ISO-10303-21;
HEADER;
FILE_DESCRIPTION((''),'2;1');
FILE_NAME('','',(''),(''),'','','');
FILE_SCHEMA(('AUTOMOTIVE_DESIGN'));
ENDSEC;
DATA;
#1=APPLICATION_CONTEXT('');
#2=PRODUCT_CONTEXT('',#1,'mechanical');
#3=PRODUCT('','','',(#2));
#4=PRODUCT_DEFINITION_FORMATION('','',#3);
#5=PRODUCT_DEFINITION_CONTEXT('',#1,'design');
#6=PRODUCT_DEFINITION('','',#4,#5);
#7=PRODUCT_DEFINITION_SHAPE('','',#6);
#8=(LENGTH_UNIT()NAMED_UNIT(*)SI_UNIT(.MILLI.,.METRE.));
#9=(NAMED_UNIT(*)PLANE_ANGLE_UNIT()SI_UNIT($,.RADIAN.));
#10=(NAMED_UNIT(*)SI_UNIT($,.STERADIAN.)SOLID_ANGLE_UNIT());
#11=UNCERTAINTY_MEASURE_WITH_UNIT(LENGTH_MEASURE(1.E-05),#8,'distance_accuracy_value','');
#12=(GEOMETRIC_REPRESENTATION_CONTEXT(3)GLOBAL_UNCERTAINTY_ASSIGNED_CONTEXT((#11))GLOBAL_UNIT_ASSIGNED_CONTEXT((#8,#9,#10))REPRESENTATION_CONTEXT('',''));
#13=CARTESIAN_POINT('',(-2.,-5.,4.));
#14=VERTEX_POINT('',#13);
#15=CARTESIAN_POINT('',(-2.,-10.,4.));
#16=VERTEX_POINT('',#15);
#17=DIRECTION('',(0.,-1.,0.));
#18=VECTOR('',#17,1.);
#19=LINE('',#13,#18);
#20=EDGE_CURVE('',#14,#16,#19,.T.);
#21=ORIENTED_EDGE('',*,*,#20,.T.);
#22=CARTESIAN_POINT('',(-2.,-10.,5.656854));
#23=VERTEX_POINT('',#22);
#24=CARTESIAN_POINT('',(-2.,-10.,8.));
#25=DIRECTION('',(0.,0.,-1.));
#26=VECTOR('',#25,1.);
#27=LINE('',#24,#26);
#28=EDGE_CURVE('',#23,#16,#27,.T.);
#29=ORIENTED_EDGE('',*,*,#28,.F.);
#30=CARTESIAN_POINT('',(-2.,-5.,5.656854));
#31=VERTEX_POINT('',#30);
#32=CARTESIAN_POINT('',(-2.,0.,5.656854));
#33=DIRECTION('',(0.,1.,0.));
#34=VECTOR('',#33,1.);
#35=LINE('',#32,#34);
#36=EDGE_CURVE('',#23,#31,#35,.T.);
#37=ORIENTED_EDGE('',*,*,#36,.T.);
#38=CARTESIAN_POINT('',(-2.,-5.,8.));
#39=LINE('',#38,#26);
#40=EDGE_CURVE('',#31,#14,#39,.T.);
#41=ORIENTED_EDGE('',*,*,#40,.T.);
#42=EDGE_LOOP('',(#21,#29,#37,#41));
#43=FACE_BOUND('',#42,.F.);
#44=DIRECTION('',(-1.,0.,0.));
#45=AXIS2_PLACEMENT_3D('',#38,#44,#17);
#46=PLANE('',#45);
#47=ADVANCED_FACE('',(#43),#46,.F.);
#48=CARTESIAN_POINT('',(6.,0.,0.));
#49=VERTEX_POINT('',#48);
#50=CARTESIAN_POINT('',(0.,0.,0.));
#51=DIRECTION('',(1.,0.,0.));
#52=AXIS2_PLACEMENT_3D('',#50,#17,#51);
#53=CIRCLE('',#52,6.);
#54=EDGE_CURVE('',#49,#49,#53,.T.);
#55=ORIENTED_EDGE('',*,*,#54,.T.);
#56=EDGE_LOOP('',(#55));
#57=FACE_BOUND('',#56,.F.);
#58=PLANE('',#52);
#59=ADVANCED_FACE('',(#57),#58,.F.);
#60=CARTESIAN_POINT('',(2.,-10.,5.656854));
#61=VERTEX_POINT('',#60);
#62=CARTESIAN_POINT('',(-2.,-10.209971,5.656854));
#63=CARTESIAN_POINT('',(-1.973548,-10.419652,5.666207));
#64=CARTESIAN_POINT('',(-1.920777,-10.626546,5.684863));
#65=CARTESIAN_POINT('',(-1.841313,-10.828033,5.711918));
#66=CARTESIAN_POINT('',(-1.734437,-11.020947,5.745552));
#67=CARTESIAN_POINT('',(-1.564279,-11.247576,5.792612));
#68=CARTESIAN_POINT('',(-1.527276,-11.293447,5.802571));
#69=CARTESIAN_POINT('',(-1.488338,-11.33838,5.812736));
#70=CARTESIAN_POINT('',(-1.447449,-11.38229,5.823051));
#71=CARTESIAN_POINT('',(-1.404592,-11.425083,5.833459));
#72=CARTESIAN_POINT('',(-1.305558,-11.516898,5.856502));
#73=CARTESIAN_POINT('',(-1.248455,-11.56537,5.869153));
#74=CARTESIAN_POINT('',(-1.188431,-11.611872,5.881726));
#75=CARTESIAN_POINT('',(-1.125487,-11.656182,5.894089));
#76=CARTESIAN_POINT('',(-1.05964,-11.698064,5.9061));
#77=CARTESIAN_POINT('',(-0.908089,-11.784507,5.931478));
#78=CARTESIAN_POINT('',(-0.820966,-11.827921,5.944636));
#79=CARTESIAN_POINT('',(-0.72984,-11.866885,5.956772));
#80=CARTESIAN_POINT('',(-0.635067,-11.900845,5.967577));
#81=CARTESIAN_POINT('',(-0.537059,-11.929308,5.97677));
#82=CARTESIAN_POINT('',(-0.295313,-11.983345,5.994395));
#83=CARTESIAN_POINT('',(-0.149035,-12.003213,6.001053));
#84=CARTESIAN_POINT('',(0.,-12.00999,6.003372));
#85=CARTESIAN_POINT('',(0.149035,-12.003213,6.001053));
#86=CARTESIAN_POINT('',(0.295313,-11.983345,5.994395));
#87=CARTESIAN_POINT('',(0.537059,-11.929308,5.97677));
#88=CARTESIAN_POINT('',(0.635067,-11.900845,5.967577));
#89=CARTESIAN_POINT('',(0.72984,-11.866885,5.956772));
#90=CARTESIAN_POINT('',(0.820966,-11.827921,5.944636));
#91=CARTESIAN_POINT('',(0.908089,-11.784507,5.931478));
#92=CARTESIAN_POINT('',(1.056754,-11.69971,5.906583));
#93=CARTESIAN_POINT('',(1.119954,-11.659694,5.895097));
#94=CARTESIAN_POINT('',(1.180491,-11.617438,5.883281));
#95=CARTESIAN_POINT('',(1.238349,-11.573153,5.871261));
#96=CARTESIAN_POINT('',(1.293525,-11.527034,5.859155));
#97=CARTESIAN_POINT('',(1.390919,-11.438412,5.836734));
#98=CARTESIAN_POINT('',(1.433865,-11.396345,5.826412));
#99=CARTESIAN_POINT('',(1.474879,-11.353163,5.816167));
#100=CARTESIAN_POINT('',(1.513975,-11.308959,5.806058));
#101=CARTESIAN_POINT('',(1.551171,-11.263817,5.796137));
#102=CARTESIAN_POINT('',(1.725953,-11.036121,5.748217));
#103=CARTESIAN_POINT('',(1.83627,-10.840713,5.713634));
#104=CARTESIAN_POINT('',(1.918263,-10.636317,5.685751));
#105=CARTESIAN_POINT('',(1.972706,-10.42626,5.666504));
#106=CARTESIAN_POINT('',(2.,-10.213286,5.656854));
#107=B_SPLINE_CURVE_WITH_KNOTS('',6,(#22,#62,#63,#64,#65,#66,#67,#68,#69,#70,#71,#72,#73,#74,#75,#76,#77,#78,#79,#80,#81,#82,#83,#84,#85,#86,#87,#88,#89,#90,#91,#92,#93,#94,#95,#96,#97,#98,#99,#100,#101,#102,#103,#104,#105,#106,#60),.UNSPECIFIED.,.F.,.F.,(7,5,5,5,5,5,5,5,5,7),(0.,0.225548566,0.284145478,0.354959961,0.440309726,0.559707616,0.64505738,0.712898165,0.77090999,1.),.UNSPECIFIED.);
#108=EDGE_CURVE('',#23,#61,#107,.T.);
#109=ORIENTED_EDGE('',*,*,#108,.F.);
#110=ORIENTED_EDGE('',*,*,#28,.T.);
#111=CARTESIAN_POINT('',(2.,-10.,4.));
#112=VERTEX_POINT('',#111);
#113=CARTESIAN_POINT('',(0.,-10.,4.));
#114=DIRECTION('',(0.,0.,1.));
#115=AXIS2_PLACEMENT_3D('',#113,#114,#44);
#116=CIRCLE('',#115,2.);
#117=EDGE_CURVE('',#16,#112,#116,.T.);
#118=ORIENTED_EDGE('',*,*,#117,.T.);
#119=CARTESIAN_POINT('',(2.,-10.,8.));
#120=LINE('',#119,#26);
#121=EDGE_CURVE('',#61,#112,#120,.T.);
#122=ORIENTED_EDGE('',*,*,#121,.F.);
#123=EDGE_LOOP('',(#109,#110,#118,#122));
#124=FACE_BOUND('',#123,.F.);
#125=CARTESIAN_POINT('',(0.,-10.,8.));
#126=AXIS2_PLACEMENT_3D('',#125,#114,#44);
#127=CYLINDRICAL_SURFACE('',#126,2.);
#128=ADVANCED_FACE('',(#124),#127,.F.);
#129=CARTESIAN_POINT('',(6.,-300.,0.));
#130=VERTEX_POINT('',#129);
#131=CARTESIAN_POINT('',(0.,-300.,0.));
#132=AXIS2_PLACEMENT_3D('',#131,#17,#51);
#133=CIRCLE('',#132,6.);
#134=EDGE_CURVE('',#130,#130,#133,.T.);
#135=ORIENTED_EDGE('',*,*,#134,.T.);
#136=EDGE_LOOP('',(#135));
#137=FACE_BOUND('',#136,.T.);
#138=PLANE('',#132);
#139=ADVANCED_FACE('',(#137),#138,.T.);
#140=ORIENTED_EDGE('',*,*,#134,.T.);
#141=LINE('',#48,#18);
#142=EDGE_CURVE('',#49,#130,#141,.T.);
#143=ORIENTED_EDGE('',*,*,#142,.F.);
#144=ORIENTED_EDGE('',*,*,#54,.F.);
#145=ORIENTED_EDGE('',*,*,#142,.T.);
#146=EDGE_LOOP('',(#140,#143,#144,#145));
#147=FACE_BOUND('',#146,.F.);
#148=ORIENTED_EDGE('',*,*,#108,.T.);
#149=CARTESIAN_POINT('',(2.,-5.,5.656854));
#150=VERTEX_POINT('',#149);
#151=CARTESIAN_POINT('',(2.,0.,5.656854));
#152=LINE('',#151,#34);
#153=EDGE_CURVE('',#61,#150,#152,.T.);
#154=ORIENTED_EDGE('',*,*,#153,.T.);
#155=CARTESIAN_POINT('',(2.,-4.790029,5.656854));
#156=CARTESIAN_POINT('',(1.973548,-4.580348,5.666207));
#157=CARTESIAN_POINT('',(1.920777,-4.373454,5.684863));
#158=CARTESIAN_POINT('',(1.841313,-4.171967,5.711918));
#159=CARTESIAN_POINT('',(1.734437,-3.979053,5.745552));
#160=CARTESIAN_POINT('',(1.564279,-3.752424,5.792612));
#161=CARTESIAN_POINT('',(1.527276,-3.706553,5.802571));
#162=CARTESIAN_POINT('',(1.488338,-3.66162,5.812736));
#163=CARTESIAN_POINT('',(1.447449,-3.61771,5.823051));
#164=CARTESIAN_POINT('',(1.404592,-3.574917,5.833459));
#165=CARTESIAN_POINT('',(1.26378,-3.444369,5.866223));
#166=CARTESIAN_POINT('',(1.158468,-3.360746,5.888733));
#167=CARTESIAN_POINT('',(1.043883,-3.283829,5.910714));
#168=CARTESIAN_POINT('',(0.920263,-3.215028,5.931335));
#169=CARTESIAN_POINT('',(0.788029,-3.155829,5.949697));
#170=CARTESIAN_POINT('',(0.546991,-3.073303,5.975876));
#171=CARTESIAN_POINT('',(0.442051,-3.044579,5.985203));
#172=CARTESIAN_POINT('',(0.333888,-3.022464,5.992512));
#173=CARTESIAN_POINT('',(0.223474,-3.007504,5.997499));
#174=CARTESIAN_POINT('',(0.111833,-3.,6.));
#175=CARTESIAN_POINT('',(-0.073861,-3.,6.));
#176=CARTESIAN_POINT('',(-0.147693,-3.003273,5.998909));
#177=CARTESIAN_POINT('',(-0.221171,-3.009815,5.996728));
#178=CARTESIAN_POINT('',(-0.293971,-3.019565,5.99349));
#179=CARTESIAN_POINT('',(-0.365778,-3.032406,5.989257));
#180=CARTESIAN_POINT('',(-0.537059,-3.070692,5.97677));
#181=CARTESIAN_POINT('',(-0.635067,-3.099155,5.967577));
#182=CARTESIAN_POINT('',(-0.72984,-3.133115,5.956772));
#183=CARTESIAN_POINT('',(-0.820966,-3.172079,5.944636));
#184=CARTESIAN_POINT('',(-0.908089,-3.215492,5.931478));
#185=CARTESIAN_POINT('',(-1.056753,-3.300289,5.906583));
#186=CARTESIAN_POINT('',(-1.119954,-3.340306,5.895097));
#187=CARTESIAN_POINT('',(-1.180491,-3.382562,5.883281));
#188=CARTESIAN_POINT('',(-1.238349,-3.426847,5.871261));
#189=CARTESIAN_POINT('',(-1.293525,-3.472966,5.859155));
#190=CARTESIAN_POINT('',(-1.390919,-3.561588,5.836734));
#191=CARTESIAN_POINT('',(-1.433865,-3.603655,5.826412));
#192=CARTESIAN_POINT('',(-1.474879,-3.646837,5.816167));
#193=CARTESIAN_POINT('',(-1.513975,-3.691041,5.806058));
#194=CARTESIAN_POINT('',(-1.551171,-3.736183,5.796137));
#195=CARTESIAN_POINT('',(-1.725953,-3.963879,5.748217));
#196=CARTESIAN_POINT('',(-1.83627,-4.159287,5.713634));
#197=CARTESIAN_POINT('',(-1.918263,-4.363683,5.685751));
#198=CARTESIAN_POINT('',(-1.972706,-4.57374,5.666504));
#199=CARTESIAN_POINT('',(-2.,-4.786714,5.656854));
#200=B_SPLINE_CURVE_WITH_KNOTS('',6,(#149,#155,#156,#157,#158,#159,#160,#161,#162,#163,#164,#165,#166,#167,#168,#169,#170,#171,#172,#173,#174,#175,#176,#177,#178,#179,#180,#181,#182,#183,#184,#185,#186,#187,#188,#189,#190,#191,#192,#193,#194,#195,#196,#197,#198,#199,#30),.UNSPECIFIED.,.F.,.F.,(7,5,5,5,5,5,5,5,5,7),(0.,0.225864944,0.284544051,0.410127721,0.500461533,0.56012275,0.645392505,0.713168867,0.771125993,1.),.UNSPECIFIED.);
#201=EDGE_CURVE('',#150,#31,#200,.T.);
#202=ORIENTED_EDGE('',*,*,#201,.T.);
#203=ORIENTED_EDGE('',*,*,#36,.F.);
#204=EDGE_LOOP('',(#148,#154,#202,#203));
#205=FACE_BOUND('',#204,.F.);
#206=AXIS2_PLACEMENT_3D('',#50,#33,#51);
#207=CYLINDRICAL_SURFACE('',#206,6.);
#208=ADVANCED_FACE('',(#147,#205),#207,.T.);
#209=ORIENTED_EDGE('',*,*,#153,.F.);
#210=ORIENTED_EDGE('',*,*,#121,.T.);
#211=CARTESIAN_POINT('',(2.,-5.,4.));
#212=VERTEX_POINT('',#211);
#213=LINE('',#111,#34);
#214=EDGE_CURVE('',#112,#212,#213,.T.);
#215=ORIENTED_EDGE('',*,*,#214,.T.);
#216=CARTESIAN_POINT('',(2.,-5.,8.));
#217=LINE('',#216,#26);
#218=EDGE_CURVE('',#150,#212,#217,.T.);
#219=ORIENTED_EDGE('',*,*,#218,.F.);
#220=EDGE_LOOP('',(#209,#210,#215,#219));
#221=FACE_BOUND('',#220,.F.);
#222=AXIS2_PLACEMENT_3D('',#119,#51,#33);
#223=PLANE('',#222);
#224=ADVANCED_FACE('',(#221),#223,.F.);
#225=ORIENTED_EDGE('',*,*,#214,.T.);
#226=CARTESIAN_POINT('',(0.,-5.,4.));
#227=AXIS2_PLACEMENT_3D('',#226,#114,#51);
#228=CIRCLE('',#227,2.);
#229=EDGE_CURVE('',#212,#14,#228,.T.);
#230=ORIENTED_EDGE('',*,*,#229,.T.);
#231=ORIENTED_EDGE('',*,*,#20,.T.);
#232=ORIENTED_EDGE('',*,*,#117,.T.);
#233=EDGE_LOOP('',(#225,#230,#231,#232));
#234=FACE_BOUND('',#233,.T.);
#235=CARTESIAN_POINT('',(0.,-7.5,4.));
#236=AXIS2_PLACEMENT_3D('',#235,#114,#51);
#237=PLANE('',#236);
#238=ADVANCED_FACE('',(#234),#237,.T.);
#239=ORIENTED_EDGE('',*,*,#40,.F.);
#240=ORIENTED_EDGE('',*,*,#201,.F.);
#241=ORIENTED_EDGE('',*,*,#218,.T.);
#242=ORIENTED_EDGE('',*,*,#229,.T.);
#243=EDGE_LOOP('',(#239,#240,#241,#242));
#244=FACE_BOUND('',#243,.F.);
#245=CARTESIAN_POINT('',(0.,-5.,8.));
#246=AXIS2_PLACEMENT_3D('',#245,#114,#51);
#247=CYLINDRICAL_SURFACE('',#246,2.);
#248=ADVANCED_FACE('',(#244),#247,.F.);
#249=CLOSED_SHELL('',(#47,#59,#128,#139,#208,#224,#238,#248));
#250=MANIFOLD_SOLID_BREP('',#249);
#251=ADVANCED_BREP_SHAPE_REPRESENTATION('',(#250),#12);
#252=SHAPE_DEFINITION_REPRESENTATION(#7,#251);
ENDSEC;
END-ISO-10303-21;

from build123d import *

# Parameters (mm, degrees)
F0_R     = 6
F1_DEPTH = 300
F4_DEPTH = 4


with BuildPart() as f1:
    # F0 (on Front) → F1 (new body)
    with BuildSketch(Plane.XZ):
        Circle(F0_R)
    extrude(amount=F1_DEPTH)

    # F3 (on offset) → F4 (cut)
    with BuildSketch(Plane.XY.offset(8)):
        with BuildLine():
            Line((-2, -5), (-2, -10))
            ThreePointArc((-2, -10), (0, -12), (2, -10))
            Line((2, -10), (2, -5))
            ThreePointArc((2, -5), (0, -3), (-2, -5))
        make_face()
    extrude(amount=-F4_DEPTH, mode=Mode.SUBTRACT)


solid = f1.part
